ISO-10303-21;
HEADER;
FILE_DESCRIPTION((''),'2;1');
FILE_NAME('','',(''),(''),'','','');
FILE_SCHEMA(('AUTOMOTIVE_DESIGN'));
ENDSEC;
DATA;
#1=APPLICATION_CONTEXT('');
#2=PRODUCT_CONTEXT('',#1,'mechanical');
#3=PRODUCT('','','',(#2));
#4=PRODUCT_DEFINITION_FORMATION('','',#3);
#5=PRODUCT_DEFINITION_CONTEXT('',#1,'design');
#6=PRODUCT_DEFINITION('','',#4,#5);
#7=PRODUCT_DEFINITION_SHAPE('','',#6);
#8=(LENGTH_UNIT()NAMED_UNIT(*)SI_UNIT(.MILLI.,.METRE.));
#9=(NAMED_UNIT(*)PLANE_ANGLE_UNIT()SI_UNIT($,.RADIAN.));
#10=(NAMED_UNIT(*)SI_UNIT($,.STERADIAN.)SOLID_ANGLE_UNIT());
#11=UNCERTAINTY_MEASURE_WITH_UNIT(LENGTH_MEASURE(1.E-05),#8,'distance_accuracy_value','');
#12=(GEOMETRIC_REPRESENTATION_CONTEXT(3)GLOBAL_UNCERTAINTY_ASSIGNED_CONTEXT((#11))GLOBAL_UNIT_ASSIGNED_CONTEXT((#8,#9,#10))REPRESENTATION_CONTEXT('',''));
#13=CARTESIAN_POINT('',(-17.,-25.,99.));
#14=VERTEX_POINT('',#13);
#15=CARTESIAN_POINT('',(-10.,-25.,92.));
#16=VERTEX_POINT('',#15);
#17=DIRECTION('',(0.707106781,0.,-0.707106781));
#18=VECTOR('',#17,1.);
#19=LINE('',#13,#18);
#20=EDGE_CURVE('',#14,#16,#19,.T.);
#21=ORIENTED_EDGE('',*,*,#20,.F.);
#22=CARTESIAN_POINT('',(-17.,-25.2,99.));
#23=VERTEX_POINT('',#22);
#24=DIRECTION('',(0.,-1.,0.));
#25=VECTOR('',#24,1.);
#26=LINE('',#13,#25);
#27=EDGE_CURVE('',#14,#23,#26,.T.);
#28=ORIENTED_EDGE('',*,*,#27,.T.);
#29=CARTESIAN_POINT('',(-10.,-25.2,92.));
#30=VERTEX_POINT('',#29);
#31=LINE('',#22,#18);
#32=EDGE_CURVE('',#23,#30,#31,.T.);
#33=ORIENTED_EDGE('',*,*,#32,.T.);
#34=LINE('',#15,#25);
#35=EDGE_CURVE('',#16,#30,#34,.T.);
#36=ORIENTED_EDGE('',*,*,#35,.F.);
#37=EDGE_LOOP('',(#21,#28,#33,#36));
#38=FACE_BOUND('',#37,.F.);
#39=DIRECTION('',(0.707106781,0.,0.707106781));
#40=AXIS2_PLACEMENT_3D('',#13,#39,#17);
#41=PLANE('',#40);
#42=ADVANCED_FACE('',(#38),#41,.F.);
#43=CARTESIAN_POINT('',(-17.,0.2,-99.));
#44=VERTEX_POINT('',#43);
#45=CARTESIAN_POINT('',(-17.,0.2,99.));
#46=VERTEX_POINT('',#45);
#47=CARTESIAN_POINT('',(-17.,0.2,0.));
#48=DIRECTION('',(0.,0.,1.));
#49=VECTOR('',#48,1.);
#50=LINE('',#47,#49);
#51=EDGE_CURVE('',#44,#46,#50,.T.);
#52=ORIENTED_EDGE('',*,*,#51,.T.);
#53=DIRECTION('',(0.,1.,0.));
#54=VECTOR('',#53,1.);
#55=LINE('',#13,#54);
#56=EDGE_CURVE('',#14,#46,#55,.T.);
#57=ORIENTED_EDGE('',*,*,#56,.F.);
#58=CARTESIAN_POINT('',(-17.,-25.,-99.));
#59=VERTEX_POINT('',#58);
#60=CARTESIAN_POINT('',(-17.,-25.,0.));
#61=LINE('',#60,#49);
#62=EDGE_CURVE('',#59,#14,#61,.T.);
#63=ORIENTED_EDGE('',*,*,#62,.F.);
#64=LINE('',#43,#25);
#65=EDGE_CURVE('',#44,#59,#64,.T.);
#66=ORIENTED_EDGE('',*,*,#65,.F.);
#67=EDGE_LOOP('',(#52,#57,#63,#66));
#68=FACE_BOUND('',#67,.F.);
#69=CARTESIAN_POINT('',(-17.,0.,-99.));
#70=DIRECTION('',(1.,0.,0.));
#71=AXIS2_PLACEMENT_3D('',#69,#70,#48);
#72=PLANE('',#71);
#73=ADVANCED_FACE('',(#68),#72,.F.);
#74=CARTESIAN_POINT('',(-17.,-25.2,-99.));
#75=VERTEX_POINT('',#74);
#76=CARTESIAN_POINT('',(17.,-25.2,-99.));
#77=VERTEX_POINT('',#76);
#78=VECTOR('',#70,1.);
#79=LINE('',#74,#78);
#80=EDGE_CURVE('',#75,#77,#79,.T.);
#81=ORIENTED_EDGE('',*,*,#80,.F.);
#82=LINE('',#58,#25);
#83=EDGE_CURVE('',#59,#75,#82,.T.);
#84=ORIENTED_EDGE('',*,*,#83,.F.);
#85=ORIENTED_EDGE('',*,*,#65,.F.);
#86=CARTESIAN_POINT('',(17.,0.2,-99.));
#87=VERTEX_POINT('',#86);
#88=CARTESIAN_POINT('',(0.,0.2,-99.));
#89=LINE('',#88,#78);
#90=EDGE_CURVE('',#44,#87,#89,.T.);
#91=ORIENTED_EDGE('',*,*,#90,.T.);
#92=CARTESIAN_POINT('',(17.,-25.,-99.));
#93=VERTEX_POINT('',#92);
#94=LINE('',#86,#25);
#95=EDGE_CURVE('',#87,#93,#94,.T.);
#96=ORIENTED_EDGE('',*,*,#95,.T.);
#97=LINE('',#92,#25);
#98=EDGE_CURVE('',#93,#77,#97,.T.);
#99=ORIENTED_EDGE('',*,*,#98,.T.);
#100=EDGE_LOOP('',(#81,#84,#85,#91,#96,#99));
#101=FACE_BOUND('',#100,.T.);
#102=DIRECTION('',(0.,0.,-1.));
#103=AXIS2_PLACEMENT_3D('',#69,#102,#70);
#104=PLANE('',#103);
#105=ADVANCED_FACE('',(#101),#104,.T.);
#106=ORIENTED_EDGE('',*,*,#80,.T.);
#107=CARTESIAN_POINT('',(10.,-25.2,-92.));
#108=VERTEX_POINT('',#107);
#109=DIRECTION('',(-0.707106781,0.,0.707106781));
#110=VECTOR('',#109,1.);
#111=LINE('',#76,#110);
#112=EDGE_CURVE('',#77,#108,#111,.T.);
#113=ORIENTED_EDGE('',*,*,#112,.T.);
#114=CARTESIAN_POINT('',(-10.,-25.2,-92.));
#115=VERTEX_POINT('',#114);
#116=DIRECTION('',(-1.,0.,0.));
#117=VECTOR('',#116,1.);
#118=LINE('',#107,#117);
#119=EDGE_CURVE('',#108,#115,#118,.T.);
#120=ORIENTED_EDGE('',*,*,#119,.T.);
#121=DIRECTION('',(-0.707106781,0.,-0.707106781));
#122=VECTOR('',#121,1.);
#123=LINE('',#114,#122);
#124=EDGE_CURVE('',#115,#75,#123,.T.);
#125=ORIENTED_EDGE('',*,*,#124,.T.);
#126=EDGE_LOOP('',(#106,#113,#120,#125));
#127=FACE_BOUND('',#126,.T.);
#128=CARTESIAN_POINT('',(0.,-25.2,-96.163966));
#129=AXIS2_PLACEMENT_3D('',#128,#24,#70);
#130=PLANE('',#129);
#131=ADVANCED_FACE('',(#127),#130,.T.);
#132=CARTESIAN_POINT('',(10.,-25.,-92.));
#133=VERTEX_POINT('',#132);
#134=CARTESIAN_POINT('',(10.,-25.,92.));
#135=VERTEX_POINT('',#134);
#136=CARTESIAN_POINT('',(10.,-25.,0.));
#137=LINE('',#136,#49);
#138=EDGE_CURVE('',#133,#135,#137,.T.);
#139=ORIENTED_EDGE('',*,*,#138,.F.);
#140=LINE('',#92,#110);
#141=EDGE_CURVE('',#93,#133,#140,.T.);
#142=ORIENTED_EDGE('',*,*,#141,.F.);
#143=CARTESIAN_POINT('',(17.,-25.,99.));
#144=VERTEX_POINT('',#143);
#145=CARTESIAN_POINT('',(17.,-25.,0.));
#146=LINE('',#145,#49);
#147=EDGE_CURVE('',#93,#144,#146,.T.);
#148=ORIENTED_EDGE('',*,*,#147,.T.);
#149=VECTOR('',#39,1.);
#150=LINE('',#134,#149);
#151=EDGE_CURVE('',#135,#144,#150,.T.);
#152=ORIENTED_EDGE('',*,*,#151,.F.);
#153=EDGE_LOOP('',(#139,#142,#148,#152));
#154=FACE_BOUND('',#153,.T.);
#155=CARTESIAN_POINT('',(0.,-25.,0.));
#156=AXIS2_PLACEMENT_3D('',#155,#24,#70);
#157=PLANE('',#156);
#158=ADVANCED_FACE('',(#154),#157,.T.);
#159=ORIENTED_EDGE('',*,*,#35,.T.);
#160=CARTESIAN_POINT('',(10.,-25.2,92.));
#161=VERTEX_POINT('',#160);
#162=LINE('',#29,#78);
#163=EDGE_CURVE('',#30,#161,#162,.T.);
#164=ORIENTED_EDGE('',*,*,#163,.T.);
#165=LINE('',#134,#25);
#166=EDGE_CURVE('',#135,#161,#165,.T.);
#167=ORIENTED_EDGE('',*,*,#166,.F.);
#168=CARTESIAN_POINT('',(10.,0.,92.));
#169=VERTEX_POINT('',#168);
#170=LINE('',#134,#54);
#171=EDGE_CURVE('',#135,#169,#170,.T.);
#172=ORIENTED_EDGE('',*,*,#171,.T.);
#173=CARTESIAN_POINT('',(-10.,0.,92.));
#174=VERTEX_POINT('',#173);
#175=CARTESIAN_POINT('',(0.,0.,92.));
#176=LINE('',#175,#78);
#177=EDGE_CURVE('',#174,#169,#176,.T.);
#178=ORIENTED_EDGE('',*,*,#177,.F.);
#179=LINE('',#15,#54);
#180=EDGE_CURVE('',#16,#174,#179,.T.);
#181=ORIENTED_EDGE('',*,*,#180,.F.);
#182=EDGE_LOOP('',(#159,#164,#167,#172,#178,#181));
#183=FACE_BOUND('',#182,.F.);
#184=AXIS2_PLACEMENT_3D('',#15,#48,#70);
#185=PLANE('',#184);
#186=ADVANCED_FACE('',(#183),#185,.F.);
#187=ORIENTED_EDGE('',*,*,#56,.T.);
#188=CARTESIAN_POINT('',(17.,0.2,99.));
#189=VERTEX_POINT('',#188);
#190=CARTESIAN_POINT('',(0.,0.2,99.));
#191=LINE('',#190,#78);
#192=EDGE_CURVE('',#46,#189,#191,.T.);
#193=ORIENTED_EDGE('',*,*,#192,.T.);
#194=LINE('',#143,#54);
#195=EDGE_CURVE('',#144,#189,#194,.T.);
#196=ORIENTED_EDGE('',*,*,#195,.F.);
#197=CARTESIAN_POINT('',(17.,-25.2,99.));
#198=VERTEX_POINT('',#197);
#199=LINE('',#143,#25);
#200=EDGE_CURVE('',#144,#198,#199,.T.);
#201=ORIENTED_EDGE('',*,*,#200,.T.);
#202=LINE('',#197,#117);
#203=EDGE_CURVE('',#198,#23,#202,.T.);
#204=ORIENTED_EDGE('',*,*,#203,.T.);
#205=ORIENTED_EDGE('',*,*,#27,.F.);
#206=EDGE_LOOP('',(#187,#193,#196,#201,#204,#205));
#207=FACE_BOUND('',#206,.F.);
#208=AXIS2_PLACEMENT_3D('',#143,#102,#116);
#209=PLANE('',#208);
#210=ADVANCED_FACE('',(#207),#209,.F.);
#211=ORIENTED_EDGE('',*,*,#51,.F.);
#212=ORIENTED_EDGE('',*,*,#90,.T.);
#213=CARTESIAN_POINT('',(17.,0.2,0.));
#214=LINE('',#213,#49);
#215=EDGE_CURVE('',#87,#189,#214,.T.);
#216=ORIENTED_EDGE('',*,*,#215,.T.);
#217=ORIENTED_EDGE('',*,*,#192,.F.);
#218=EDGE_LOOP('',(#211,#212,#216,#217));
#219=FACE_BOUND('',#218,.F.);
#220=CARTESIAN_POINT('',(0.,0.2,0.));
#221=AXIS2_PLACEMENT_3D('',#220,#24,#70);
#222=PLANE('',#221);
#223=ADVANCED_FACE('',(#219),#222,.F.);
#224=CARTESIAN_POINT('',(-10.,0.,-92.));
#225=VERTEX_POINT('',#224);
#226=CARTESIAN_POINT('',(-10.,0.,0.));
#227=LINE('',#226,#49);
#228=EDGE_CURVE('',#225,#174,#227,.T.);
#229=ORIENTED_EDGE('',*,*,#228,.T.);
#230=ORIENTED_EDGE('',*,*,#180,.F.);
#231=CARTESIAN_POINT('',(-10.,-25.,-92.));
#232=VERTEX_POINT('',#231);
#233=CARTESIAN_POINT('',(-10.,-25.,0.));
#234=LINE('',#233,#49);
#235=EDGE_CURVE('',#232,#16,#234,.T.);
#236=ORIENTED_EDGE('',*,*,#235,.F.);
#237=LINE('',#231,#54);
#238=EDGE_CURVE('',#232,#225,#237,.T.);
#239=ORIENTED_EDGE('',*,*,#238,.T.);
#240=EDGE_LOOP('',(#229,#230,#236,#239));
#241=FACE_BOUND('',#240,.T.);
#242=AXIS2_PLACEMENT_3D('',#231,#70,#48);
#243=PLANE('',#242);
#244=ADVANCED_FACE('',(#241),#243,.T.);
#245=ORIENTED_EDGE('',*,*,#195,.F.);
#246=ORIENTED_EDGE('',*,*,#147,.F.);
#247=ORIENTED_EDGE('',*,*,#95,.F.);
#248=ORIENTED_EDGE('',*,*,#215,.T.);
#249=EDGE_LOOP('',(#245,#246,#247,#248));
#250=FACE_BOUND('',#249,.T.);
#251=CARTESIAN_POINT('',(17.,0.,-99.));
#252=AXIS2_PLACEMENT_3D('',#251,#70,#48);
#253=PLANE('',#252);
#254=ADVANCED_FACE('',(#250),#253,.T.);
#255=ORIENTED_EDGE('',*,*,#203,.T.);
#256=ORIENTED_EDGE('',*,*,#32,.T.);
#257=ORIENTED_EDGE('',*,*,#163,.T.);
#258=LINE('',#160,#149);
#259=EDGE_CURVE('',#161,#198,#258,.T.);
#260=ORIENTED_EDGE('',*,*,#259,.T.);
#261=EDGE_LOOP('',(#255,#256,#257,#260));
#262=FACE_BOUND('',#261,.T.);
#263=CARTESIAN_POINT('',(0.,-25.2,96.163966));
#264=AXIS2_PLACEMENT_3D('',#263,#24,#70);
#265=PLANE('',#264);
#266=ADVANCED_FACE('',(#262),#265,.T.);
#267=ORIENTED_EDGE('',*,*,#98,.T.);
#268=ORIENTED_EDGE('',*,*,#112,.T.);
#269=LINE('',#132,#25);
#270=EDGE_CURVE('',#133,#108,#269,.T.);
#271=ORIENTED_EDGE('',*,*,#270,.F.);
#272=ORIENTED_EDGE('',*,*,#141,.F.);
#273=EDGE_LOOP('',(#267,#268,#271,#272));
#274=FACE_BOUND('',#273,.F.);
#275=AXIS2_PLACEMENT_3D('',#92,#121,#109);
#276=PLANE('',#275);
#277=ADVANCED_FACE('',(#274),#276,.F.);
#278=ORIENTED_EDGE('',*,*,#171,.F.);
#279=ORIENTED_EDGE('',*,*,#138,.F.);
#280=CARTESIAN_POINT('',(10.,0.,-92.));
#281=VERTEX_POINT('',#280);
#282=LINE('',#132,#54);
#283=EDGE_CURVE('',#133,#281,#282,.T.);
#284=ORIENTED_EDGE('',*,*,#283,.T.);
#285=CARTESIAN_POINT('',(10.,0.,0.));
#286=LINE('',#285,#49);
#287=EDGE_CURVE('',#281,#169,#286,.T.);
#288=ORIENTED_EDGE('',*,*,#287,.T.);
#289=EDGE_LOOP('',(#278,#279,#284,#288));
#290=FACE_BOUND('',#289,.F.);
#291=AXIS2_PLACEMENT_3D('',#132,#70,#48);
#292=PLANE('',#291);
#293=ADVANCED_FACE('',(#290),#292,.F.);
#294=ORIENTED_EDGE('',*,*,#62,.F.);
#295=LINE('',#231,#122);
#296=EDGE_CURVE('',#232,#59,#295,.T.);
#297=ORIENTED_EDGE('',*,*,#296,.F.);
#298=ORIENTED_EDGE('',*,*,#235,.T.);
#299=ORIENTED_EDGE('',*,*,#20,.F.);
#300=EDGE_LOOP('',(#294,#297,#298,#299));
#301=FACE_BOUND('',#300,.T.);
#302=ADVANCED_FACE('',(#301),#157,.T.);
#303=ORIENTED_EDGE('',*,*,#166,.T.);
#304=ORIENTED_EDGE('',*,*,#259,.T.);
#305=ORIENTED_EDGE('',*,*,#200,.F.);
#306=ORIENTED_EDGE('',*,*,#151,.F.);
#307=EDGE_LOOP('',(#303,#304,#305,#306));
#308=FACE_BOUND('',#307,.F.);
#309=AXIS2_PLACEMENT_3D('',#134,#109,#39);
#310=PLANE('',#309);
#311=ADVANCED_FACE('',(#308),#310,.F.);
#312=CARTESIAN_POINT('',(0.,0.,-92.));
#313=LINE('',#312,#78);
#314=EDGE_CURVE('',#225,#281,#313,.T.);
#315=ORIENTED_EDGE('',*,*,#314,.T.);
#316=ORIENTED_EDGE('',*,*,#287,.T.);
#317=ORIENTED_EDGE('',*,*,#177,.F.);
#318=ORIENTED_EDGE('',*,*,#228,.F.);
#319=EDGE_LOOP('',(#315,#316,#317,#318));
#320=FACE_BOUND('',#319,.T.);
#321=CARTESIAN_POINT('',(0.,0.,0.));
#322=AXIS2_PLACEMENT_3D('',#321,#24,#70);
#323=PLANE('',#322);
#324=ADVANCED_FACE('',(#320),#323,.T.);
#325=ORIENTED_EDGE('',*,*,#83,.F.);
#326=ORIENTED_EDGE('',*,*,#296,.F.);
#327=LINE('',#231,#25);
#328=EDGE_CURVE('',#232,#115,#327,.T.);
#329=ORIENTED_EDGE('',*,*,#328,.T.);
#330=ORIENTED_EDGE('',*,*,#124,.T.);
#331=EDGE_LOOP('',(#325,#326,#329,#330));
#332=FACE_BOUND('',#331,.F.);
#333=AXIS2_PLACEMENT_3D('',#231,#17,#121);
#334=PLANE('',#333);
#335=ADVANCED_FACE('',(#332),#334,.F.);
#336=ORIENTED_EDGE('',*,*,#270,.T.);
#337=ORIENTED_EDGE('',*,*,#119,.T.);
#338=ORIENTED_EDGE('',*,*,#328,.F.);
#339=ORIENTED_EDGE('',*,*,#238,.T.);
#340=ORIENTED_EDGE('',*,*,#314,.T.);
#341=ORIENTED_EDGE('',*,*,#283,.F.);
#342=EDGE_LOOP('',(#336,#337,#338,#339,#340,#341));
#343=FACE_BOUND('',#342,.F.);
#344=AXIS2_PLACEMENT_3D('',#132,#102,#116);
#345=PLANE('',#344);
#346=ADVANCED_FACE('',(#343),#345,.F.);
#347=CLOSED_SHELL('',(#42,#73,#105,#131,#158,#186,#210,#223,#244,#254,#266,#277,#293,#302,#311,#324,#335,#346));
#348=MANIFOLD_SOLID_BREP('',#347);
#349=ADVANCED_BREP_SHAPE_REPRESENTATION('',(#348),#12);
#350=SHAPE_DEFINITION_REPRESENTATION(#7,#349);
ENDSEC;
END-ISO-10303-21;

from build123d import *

# Parameters (mm, degrees)
F0_W     = 34
F0_H     = 198
F1_DEPTH = 25
F2_DEPTH = 0.2
F3_W     = 20
F3_H     = 184
F4_DEPTH = 25
F6_DEPTH = 0.2


with BuildPart() as f1:
    # F0 (on Front) → F1 (new body)
    with BuildSketch(Plane.XZ):
        Rectangle(F0_W, F0_H)
    extrude(amount=F1_DEPTH)

    # F0 (on Front) → F2 (join)
    with BuildSketch(Plane.XZ):
        Rectangle(F0_W, F0_H)
    extrude(amount=-F2_DEPTH)

    # F3 (on face) → F4 (cut)
    with BuildSketch(Plane.XZ.offset(25)):
        Rectangle(F3_W, F3_H)
    extrude(amount=-F4_DEPTH, mode=Mode.SUBTRACT)

    # F5 (on face) → F6 (join)
    with BuildSketch(Plane.XZ.offset(25)):
        Polygon((17, 99), (-17, 99), (-10, 92), (10, 92), align=None)
        Polygon((-10, -92), (-17, -99), (17, -99), (10, -92), align=None)
    extrude(amount=F6_DEPTH)


solid = f1.part
